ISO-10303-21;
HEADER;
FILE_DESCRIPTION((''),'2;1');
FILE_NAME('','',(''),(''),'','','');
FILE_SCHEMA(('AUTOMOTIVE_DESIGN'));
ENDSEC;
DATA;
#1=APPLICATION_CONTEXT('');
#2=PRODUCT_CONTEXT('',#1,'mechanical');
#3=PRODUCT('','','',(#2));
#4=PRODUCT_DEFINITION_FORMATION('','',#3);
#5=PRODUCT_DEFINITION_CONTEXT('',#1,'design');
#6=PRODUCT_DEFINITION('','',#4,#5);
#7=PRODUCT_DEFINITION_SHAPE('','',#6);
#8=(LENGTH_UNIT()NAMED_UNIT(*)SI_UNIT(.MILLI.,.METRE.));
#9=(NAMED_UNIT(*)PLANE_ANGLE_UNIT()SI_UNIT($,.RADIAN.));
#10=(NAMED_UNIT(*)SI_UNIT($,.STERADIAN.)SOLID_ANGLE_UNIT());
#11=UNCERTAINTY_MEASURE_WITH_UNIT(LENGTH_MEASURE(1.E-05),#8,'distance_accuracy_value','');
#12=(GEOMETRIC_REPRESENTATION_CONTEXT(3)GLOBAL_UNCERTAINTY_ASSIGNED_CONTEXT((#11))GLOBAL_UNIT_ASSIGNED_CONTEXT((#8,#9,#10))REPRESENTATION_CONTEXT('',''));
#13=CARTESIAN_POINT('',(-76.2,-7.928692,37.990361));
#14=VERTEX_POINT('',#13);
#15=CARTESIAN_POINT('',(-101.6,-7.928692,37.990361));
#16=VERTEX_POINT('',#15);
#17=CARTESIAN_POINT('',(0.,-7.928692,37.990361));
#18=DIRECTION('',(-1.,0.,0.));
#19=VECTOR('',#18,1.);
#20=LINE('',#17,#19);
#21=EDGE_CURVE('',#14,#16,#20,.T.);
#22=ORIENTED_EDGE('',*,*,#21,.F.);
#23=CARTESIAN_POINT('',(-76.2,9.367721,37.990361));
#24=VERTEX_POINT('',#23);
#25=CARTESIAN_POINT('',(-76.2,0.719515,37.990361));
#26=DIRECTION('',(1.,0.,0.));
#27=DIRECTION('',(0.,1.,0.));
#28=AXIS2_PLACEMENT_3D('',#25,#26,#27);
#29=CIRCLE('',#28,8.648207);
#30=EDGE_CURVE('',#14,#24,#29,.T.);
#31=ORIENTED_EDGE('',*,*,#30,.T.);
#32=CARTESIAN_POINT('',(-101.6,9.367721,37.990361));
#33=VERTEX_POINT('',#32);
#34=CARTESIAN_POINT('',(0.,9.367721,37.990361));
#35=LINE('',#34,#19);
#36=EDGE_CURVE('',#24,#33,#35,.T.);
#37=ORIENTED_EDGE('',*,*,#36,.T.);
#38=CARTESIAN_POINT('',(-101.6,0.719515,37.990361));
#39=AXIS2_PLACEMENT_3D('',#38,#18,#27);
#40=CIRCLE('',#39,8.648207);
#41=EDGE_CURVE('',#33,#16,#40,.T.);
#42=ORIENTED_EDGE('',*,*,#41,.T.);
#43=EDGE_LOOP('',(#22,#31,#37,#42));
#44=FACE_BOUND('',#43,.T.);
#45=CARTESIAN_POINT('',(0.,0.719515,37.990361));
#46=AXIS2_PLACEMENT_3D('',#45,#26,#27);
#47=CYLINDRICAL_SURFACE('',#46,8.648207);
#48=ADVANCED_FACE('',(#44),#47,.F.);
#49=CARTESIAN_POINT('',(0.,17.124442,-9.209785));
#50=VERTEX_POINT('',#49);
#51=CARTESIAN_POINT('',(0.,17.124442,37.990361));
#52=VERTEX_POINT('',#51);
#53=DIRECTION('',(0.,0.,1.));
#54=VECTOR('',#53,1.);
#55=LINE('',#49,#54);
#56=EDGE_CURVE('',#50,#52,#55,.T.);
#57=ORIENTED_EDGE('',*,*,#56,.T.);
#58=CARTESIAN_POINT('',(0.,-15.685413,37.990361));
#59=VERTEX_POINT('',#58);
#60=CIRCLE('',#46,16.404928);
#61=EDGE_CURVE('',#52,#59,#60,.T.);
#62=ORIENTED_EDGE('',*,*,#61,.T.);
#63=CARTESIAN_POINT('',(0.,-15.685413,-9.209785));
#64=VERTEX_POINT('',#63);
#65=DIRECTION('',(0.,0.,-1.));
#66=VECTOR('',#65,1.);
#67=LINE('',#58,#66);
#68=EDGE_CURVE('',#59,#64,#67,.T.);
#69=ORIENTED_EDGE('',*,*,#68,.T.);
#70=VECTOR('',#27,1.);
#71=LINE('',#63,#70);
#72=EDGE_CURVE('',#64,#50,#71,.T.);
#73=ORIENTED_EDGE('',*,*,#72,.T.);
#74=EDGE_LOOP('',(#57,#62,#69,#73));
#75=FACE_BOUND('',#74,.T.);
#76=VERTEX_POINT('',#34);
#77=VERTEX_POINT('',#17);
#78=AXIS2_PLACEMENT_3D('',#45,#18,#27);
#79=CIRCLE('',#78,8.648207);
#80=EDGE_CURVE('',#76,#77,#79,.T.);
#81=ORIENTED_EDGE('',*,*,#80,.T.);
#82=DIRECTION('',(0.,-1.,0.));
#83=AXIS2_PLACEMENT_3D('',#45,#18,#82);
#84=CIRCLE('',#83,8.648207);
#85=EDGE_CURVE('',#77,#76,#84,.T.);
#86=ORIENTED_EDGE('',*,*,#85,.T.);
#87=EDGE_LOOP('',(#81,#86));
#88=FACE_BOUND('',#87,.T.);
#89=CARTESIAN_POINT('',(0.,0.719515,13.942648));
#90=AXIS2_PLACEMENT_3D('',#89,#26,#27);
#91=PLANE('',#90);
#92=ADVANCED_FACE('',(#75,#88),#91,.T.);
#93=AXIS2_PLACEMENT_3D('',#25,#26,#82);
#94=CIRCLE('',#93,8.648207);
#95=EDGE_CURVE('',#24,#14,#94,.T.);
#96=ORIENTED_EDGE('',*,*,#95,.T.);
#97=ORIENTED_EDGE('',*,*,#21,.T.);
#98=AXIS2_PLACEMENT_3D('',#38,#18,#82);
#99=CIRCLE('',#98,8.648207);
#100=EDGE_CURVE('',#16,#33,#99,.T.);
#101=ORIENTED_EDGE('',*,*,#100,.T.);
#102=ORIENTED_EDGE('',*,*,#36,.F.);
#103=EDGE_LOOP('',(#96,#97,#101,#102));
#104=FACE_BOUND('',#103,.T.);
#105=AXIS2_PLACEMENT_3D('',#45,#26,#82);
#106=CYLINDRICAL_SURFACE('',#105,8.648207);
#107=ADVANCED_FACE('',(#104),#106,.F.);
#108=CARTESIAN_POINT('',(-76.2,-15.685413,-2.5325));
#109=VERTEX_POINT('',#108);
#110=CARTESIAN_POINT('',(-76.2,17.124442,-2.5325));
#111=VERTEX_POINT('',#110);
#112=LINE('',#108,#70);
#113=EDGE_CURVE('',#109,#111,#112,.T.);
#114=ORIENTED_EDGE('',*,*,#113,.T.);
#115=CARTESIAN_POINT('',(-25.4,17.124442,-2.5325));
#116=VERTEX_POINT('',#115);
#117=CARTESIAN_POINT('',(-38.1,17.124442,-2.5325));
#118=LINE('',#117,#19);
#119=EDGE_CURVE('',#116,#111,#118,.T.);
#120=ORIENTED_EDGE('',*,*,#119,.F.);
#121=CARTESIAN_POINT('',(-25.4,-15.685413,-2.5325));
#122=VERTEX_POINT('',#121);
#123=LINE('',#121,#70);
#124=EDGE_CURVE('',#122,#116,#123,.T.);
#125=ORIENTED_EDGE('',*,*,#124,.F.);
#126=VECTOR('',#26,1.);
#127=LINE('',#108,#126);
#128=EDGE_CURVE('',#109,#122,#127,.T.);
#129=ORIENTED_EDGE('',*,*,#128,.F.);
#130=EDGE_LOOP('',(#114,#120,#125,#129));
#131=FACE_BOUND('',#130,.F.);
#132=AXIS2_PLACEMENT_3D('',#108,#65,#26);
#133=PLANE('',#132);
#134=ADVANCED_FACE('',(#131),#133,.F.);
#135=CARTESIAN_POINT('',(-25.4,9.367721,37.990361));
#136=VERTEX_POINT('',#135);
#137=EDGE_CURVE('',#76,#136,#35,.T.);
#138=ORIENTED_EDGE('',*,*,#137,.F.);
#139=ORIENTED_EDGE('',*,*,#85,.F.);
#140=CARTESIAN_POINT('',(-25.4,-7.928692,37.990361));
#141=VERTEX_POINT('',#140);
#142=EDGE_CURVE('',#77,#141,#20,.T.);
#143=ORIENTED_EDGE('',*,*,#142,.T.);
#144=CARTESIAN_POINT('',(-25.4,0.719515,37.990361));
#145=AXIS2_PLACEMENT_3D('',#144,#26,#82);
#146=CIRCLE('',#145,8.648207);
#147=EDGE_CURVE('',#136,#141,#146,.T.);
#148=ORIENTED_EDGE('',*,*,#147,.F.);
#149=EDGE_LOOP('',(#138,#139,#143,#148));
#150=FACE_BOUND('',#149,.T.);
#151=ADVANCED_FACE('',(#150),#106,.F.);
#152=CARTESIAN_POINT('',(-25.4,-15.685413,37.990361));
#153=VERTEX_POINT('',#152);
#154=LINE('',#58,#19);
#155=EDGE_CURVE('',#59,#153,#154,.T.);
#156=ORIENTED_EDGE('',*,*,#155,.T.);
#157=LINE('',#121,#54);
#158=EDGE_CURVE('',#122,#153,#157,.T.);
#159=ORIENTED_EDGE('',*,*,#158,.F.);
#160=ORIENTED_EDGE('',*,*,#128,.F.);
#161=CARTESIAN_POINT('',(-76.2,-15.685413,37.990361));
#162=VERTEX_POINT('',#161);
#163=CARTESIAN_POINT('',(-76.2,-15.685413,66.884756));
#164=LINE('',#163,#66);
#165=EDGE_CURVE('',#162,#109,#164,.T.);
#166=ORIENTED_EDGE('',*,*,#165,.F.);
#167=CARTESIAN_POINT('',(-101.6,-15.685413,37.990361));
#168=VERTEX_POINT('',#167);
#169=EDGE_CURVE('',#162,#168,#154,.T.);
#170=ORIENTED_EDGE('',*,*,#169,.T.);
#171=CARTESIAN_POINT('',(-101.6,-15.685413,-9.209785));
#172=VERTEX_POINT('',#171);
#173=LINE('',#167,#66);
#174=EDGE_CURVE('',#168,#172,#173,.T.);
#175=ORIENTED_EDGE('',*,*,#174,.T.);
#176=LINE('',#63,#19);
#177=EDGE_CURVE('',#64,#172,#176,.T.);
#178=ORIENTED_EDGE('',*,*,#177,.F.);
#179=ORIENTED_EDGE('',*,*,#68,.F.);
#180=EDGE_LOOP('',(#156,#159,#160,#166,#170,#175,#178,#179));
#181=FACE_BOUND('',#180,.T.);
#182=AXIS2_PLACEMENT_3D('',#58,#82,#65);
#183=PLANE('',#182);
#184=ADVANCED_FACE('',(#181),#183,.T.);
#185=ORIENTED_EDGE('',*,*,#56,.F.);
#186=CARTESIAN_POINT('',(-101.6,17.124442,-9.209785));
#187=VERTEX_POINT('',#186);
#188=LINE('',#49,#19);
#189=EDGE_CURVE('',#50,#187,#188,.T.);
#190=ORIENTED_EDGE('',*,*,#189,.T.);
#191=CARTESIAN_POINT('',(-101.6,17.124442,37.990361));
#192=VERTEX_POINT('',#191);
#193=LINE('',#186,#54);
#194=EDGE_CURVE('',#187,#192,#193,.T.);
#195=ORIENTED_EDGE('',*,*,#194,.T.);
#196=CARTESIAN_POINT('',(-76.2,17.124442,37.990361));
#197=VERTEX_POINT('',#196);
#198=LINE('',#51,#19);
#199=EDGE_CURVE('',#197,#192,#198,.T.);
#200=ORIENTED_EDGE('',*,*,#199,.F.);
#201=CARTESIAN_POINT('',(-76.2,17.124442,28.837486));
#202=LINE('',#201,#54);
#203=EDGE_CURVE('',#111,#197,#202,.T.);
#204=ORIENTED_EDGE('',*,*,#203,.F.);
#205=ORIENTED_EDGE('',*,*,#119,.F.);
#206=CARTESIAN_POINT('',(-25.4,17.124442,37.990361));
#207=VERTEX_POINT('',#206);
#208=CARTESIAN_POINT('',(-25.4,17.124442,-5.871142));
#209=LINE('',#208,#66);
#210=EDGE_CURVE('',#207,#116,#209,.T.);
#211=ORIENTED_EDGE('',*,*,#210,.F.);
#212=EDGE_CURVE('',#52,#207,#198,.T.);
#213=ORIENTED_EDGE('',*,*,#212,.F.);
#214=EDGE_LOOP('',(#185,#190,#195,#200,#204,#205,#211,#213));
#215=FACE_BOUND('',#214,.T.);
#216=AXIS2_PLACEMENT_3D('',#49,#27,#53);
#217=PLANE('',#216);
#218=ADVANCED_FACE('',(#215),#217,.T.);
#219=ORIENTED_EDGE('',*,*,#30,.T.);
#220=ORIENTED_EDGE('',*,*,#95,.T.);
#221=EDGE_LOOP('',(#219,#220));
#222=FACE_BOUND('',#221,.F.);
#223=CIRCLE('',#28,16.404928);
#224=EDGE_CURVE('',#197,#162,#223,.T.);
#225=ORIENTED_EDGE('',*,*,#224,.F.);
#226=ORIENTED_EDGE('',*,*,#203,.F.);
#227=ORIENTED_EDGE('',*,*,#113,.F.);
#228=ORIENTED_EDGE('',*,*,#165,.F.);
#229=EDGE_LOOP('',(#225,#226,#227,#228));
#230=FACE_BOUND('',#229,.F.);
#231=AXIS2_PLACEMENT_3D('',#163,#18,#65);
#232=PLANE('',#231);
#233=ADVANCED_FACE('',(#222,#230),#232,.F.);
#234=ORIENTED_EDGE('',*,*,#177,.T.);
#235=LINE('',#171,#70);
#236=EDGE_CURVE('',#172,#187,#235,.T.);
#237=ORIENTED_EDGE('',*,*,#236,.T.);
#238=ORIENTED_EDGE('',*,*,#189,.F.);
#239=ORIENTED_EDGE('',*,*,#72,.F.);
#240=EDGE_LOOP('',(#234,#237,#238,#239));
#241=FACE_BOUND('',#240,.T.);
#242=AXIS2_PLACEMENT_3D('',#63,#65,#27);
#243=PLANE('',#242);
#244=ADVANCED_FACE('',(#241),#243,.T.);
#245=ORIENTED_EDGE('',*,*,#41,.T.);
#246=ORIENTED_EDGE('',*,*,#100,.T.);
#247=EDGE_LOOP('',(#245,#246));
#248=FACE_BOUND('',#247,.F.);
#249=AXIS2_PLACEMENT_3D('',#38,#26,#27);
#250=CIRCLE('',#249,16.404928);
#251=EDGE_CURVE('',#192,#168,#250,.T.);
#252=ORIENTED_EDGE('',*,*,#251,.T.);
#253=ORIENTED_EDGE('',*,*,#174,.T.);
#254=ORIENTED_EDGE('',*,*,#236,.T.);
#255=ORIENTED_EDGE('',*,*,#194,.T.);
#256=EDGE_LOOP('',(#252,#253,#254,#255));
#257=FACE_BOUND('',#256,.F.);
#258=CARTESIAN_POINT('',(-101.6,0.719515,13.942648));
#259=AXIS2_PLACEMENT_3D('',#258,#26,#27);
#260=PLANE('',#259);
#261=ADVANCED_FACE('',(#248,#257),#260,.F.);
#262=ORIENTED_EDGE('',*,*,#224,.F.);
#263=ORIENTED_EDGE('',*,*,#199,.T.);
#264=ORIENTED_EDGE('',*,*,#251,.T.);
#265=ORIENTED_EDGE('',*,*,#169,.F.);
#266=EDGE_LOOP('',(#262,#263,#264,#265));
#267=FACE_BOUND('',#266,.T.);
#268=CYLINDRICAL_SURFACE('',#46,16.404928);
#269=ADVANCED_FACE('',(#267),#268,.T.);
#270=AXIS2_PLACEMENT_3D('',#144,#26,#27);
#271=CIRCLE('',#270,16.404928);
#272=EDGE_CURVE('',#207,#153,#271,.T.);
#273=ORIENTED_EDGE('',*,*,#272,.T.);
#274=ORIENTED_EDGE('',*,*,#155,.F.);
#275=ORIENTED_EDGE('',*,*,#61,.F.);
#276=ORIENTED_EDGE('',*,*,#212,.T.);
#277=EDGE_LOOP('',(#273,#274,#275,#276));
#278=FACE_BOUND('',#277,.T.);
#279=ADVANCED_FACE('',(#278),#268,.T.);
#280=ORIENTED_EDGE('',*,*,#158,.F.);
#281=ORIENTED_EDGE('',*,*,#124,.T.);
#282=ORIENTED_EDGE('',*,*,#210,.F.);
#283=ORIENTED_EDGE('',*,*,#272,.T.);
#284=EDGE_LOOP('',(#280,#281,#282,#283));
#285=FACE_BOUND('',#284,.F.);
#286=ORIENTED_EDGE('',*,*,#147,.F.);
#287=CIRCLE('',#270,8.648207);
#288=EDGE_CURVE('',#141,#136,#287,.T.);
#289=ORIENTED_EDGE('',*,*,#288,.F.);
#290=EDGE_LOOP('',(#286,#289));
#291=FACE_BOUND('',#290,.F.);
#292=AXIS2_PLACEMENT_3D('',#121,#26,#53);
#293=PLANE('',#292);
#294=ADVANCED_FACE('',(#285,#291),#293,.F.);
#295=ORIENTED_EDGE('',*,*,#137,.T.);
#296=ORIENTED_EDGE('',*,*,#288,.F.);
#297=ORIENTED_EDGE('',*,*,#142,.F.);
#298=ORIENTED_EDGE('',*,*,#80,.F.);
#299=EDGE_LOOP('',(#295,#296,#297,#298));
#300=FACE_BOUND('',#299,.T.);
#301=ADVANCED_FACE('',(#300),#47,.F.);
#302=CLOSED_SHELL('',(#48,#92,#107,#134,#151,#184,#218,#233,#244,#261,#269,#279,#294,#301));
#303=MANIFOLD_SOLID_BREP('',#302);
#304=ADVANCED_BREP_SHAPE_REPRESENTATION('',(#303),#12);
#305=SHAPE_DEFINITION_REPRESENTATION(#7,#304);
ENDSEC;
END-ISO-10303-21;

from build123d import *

# Parameters (mm, degrees)
F1_DEPTH = 101.6
F3_DEPTH = 32.8108554164


with BuildPart() as f1:
    # F0 (on Right) → F1 (new body)
    with BuildSketch(Plane.YZ):
        with BuildLine():
            Line((-15.6854130328, 37.9903614521), (-15.6854130328, -9.2097846791))
            Line((-15.6854130328, -9.2097846791), (17.1244423836, -9.2097846791))
            Line((17.1244423836, -9.2097846791), (17.1244423836, 37.9903614521))
            ThreePointArc((17.1244423836, 37.9903614521), (0.7195146754, 21.5854337439), (-15.6854130328, 37.9903614521))
        make_face()
        with BuildLine():
            ThreePointArc((17.1244423836, 37.9903614521), (0.7195146754, 54.3952891603), (-15.6854130328, 37.9903614521))
            Line((-15.6854130328, 37.9903614521), (-7.9286920533, 37.9903614521))
            ThreePointArc((-7.9286920533, 37.9903614521), (0.7195146754, 46.6385681808), (9.3677214042, 37.9903614521))
            Line((9.3677214042, 37.9903614521), (17.1244423836, 37.9903614521))
        make_face()
        with BuildLine():
            Line((-7.9286920533, 37.9903614521), (-15.6854130328, 37.9903614521))
            ThreePointArc((-15.6854130328, 37.9903614521), (0.7195146754, 21.5854337439), (17.1244423836, 37.9903614521))
            Line((17.1244423836, 37.9903614521), (9.3677214042, 37.9903614521))
            ThreePointArc((9.3677214042, 37.9903614521), (0.7195146754, 29.3421547234), (-7.9286920533, 37.9903614521))
        make_face()
    extrude(amount=-F1_DEPTH)

    # F2 (on face) → F3 (cut, through all)
    with BuildSketch(Plane.XZ.offset(15.6854130328)):
        Polygon((-76.2, 37.9903614521), (-76.2, -2.5324999557), (-25.4, -2.5324999557), (-25.4, 37.9903614521), (-25.4, 66.8847560883), (-76.2, 66.8847560883), align=None)
    extrude(amount=-F3_DEPTH, mode=Mode.SUBTRACT)


solid = f1.part
